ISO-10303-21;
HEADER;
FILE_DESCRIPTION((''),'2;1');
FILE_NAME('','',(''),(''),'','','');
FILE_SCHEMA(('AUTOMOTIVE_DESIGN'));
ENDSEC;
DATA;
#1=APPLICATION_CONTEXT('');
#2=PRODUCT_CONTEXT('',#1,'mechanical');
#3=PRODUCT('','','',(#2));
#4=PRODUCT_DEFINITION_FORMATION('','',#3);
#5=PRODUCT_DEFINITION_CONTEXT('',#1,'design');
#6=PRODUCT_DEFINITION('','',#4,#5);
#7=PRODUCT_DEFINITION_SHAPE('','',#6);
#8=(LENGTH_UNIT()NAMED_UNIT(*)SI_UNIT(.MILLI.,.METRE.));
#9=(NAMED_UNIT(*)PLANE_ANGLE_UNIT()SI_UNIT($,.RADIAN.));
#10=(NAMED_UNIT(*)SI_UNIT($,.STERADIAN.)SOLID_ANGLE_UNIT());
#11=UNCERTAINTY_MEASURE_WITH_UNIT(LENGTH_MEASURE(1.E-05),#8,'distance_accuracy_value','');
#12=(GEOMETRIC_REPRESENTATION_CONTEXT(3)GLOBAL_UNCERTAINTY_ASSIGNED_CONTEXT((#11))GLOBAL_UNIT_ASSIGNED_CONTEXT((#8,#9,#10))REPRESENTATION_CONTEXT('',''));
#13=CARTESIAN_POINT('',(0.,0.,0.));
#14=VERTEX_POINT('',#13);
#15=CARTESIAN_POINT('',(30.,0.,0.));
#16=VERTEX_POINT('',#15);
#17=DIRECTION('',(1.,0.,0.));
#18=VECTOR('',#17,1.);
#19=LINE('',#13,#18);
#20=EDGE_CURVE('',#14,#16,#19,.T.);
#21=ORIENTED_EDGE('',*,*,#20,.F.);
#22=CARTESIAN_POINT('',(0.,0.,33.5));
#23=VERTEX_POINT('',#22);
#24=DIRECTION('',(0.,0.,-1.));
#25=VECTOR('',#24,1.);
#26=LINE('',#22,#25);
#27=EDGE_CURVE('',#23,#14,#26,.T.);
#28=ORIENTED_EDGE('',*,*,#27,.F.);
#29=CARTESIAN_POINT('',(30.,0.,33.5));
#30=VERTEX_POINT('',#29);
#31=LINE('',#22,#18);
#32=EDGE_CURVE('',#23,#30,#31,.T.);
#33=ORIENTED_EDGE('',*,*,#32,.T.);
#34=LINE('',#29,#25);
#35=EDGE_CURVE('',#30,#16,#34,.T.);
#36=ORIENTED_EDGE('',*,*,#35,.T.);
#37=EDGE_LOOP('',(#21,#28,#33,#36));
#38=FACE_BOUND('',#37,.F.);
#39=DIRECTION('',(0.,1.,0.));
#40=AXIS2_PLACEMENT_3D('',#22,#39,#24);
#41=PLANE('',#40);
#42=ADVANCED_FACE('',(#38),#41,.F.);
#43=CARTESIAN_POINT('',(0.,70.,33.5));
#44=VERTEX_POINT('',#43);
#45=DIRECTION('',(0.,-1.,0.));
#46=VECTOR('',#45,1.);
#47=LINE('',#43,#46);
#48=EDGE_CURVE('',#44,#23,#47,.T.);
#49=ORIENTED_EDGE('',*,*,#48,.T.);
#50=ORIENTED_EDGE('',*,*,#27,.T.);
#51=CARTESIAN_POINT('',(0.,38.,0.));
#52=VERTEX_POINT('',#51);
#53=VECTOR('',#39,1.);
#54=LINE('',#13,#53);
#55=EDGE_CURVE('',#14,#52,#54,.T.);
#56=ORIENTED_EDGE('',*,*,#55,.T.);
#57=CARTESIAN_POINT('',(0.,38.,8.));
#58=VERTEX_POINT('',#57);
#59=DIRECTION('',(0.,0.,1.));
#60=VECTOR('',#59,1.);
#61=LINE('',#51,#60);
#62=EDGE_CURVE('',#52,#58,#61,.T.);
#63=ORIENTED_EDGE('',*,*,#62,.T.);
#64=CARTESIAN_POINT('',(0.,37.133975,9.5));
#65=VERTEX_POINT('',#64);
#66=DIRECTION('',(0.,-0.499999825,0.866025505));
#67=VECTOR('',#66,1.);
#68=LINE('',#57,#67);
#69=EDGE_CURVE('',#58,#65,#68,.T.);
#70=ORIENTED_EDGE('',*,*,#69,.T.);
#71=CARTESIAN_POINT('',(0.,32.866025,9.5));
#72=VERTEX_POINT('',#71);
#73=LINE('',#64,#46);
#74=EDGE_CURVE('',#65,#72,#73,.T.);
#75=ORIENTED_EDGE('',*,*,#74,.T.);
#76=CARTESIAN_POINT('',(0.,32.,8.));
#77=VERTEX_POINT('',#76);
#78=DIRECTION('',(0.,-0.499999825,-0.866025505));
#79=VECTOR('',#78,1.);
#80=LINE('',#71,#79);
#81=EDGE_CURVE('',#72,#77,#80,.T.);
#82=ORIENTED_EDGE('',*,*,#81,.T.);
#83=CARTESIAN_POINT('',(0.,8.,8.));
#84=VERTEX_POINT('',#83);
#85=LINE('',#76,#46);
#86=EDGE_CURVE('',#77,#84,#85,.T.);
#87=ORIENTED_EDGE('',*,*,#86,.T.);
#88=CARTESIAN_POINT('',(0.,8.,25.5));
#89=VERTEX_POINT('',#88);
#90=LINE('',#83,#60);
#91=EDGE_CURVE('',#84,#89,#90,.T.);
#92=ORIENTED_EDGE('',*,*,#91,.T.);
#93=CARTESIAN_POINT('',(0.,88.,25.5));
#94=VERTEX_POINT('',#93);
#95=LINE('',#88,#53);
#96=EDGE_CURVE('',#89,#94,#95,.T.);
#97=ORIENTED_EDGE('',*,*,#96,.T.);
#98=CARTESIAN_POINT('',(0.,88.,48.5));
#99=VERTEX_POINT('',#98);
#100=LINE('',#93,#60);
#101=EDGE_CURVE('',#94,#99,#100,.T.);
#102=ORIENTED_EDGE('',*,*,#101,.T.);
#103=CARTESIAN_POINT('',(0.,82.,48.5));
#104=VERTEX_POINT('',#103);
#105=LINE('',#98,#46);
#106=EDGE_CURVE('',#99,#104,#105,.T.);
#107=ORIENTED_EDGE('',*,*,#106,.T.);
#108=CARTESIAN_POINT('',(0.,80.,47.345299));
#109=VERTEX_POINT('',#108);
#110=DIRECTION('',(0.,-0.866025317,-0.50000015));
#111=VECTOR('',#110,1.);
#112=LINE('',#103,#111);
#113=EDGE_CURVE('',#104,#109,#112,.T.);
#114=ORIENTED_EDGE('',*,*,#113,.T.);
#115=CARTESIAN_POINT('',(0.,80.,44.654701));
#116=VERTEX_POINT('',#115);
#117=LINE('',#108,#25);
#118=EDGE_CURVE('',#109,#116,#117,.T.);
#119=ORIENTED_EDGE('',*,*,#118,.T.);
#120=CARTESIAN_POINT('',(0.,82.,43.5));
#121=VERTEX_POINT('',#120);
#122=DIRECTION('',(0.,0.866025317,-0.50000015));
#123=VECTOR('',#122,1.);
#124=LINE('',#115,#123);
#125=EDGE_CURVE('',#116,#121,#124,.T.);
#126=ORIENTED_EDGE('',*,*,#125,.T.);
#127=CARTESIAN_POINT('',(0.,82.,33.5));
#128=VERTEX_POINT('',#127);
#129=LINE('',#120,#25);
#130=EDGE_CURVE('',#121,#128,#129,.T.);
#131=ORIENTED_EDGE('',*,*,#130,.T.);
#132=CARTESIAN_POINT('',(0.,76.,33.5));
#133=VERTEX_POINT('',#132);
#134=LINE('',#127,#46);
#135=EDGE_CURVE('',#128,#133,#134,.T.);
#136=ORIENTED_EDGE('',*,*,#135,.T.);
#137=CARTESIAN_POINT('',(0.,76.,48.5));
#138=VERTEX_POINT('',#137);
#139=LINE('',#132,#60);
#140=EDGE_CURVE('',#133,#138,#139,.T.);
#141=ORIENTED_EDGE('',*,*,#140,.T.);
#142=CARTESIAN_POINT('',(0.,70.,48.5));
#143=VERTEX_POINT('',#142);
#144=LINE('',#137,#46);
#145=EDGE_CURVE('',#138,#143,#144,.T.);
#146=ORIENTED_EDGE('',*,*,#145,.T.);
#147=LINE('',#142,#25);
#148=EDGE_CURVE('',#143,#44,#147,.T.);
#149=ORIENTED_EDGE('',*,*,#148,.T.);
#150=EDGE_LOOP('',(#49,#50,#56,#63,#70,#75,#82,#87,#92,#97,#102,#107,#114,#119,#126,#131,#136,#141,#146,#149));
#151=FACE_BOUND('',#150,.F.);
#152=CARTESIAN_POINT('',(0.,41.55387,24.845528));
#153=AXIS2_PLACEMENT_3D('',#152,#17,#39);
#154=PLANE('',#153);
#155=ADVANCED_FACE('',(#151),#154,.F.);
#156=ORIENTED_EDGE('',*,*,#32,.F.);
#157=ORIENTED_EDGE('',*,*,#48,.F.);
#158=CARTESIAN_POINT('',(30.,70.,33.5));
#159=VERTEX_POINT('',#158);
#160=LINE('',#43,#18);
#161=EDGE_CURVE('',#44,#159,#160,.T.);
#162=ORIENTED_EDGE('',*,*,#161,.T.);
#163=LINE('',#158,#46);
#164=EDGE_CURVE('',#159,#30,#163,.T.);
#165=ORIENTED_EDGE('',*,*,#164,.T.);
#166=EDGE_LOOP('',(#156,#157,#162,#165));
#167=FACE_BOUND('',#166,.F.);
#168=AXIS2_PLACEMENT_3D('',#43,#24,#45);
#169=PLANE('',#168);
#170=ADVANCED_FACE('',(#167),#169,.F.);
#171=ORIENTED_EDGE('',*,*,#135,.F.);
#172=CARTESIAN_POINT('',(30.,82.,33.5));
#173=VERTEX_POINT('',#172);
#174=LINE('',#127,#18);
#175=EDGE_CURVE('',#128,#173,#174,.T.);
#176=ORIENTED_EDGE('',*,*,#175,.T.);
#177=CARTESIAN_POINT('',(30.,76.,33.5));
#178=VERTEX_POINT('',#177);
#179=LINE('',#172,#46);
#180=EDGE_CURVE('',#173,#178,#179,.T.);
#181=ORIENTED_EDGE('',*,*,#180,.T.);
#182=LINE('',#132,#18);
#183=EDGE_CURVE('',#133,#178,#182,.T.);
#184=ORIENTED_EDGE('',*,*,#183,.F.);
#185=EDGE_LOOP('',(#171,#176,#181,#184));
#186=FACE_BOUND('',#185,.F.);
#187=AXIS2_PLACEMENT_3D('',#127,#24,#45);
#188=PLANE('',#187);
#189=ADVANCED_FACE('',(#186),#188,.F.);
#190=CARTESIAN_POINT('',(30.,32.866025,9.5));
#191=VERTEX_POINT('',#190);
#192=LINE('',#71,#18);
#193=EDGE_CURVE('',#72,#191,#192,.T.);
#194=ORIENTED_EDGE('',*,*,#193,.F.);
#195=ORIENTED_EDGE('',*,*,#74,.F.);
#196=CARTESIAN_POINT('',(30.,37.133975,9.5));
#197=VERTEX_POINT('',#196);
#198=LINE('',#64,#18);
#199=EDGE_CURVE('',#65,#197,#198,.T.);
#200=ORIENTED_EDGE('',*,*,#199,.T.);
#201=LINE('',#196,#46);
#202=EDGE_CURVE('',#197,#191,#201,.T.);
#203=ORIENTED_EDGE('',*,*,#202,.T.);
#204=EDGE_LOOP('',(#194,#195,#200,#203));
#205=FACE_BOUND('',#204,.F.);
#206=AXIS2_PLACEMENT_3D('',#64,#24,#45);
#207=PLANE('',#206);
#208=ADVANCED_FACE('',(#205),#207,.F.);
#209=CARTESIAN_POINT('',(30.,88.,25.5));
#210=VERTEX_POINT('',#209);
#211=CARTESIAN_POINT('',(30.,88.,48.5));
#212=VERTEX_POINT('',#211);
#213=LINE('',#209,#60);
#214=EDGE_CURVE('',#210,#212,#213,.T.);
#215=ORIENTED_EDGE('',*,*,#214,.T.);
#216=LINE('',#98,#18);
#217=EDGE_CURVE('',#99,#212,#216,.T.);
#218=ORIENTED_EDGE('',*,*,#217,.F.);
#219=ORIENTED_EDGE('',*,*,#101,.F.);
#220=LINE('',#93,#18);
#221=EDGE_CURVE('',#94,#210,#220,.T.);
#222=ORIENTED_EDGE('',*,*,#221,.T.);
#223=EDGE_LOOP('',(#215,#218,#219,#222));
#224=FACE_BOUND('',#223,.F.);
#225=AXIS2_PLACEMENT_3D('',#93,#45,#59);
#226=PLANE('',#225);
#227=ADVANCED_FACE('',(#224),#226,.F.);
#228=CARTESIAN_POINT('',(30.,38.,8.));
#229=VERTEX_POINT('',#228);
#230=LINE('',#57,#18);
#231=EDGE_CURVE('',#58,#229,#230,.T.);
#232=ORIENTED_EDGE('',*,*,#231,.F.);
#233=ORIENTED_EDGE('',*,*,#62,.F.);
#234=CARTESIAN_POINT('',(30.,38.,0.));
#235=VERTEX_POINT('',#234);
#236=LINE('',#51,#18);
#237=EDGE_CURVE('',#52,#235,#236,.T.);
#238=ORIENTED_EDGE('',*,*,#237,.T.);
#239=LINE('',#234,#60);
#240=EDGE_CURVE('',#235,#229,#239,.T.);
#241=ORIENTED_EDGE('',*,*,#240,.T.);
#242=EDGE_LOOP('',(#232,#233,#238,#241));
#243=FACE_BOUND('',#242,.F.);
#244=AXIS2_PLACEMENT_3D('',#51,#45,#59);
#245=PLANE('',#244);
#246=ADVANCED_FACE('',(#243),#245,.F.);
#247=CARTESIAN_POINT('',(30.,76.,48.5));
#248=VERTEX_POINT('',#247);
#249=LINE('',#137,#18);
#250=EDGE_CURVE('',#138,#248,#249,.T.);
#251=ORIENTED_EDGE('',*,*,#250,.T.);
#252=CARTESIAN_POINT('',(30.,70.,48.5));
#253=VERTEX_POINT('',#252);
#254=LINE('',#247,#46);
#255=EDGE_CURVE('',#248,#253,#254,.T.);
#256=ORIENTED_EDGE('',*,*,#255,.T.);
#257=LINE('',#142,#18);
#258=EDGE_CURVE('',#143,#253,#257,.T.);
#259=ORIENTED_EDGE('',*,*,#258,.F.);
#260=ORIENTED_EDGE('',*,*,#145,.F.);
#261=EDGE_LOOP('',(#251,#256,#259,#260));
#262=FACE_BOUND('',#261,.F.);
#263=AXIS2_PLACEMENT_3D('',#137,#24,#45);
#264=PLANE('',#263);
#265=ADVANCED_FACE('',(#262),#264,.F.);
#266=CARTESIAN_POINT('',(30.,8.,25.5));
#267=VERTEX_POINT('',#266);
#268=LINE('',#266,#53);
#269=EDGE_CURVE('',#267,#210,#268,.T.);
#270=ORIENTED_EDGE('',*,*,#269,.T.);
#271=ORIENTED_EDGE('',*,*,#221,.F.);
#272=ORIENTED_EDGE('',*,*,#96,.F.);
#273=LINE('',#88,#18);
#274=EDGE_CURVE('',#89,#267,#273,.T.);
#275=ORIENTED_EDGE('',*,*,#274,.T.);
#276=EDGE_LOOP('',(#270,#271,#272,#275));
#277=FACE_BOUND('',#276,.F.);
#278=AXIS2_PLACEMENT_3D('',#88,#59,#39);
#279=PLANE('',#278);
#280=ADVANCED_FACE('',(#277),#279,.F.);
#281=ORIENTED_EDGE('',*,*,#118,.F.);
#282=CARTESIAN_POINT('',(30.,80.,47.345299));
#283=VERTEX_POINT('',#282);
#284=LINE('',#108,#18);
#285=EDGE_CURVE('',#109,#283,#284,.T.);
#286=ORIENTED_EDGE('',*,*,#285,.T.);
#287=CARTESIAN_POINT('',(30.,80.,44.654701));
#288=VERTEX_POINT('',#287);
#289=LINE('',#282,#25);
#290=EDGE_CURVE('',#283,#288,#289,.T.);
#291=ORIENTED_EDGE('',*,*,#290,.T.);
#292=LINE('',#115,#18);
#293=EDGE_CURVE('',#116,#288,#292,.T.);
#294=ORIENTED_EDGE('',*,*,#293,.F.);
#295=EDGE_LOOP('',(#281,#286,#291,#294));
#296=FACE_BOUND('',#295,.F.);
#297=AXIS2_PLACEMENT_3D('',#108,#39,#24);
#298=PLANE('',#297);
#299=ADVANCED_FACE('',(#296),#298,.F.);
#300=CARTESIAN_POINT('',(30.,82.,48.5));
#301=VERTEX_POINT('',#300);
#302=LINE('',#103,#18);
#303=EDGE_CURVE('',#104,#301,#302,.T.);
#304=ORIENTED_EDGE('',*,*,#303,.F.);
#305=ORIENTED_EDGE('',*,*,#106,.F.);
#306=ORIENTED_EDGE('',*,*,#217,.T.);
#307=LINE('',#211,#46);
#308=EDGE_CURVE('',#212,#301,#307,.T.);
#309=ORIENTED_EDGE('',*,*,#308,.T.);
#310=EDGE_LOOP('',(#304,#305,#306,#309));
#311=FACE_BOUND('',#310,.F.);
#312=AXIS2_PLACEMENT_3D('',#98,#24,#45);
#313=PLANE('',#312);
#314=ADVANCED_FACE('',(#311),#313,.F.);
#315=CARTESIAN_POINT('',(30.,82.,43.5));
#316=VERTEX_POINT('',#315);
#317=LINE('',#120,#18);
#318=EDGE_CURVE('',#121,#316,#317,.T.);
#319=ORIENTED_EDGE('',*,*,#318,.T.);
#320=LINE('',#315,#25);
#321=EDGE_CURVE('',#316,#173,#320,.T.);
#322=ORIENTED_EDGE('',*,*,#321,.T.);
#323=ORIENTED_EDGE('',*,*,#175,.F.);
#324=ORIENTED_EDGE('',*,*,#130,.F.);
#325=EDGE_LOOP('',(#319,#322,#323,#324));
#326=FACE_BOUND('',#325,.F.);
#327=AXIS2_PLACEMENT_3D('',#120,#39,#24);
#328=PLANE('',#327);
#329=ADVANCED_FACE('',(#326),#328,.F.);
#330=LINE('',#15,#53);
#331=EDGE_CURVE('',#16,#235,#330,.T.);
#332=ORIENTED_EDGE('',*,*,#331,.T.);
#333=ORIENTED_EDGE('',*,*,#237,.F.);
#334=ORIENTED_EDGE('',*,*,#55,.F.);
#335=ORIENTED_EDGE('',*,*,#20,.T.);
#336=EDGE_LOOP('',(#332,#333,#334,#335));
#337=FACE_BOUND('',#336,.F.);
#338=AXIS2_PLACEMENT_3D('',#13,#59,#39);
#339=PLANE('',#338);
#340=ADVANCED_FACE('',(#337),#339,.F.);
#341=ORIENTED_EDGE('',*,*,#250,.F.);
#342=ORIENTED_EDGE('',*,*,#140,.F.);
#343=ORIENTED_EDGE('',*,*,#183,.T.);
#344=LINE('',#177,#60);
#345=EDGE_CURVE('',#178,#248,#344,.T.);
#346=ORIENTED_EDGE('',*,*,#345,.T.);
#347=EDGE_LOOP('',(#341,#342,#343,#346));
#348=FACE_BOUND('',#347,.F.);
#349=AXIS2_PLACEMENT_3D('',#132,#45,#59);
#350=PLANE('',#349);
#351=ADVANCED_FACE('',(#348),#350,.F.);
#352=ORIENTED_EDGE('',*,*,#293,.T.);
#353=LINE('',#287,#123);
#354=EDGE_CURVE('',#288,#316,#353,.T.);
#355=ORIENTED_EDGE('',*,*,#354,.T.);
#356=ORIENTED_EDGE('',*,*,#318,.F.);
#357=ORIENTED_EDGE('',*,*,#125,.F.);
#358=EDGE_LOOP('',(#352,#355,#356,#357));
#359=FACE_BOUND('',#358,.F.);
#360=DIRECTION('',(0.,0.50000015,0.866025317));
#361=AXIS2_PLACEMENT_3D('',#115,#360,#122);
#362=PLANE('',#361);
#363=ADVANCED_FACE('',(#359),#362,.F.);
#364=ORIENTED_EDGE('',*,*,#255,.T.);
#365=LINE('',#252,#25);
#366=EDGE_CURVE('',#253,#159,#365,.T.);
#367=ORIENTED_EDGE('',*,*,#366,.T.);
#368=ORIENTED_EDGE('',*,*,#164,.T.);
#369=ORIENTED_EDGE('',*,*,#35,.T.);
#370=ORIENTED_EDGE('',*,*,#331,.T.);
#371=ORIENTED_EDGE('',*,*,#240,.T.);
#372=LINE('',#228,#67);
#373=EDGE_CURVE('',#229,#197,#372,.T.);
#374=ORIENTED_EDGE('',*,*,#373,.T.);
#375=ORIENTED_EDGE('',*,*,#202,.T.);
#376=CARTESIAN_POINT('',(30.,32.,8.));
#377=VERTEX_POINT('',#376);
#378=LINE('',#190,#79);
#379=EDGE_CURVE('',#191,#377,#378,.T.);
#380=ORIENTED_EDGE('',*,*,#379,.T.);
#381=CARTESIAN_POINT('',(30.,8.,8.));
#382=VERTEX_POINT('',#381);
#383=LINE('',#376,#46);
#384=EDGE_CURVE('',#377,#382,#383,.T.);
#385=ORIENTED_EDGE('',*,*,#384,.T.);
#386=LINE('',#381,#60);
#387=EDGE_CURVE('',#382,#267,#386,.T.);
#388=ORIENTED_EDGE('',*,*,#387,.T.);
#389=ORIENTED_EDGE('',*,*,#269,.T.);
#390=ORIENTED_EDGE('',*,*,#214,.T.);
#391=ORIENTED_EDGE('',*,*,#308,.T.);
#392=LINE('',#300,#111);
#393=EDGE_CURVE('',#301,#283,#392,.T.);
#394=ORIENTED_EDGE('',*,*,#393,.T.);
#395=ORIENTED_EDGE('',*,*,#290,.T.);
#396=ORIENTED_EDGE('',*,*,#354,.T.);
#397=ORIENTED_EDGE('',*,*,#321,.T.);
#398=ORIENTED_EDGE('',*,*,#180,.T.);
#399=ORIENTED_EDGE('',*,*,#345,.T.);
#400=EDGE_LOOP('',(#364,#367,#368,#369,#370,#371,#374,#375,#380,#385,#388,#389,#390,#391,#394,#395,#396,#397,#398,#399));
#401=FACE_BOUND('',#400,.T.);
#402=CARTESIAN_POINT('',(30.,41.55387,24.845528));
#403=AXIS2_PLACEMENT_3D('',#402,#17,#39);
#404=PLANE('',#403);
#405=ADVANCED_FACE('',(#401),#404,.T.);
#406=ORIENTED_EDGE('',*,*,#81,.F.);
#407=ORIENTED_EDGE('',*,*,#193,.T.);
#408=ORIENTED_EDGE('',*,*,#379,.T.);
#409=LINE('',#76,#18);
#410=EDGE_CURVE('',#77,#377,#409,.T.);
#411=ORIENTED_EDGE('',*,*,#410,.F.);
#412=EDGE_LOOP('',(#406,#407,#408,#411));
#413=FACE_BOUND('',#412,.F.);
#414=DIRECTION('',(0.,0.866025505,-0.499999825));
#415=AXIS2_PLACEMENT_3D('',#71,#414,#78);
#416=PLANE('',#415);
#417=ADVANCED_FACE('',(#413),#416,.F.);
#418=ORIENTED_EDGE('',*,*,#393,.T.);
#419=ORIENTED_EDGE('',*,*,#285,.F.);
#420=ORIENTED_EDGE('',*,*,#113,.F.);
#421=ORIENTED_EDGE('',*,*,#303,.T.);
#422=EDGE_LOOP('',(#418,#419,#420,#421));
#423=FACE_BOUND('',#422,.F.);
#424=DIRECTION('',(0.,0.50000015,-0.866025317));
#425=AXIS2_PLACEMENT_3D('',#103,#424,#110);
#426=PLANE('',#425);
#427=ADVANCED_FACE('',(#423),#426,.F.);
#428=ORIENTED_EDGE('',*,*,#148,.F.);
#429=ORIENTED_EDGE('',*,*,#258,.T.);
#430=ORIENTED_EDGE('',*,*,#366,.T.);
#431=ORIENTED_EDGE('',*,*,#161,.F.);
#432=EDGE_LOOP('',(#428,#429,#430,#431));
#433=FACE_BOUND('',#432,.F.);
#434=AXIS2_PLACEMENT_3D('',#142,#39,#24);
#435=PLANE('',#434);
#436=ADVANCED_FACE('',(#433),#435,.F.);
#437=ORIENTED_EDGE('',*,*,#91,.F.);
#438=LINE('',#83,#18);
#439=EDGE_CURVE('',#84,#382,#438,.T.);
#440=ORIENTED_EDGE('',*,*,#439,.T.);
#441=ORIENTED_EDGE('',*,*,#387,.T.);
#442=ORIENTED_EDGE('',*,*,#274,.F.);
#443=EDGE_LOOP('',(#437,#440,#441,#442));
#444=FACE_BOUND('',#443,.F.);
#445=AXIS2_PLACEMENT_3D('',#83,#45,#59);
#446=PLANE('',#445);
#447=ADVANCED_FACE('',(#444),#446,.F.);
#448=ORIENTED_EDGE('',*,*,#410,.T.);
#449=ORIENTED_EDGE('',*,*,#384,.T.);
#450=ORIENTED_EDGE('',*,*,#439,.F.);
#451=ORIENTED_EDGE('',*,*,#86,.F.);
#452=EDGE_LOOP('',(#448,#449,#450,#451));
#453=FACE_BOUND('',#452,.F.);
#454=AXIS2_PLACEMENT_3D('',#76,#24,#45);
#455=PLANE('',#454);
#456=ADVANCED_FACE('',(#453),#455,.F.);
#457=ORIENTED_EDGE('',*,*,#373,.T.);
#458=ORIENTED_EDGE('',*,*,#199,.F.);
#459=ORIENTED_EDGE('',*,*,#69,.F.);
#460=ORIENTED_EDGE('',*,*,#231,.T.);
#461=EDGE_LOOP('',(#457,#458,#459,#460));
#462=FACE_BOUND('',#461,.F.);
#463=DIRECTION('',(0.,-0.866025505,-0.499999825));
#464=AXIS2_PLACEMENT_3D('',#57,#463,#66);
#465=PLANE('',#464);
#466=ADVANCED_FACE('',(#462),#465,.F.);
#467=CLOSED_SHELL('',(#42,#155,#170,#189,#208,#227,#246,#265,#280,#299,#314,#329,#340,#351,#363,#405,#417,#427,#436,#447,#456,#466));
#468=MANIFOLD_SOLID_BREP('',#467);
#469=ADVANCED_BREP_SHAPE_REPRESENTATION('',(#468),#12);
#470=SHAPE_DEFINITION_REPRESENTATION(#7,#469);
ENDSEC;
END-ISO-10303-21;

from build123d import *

# Parameters (mm, degrees)
F1_DEPTH = 30


with BuildPart() as f1:
    # F0 (on Right) → F1 (new body)
    with BuildSketch(Plane.YZ):
        Polygon((0, 33.5), (0, 0), (38, 0), (38, 8), (37.133975, 9.5), (32.866025, 9.5), (32, 8), (8, 8), (8, 25.5), (88, 25.5), (88, 48.5), (82, 48.5), (80, 47.345299), (80, 44.654701), (82, 43.5), (82, 33.5), (76, 33.5), (76, 48.5), (70, 48.5), (70, 33.5), align=None)
    extrude(amount=F1_DEPTH)


solid = f1.part
